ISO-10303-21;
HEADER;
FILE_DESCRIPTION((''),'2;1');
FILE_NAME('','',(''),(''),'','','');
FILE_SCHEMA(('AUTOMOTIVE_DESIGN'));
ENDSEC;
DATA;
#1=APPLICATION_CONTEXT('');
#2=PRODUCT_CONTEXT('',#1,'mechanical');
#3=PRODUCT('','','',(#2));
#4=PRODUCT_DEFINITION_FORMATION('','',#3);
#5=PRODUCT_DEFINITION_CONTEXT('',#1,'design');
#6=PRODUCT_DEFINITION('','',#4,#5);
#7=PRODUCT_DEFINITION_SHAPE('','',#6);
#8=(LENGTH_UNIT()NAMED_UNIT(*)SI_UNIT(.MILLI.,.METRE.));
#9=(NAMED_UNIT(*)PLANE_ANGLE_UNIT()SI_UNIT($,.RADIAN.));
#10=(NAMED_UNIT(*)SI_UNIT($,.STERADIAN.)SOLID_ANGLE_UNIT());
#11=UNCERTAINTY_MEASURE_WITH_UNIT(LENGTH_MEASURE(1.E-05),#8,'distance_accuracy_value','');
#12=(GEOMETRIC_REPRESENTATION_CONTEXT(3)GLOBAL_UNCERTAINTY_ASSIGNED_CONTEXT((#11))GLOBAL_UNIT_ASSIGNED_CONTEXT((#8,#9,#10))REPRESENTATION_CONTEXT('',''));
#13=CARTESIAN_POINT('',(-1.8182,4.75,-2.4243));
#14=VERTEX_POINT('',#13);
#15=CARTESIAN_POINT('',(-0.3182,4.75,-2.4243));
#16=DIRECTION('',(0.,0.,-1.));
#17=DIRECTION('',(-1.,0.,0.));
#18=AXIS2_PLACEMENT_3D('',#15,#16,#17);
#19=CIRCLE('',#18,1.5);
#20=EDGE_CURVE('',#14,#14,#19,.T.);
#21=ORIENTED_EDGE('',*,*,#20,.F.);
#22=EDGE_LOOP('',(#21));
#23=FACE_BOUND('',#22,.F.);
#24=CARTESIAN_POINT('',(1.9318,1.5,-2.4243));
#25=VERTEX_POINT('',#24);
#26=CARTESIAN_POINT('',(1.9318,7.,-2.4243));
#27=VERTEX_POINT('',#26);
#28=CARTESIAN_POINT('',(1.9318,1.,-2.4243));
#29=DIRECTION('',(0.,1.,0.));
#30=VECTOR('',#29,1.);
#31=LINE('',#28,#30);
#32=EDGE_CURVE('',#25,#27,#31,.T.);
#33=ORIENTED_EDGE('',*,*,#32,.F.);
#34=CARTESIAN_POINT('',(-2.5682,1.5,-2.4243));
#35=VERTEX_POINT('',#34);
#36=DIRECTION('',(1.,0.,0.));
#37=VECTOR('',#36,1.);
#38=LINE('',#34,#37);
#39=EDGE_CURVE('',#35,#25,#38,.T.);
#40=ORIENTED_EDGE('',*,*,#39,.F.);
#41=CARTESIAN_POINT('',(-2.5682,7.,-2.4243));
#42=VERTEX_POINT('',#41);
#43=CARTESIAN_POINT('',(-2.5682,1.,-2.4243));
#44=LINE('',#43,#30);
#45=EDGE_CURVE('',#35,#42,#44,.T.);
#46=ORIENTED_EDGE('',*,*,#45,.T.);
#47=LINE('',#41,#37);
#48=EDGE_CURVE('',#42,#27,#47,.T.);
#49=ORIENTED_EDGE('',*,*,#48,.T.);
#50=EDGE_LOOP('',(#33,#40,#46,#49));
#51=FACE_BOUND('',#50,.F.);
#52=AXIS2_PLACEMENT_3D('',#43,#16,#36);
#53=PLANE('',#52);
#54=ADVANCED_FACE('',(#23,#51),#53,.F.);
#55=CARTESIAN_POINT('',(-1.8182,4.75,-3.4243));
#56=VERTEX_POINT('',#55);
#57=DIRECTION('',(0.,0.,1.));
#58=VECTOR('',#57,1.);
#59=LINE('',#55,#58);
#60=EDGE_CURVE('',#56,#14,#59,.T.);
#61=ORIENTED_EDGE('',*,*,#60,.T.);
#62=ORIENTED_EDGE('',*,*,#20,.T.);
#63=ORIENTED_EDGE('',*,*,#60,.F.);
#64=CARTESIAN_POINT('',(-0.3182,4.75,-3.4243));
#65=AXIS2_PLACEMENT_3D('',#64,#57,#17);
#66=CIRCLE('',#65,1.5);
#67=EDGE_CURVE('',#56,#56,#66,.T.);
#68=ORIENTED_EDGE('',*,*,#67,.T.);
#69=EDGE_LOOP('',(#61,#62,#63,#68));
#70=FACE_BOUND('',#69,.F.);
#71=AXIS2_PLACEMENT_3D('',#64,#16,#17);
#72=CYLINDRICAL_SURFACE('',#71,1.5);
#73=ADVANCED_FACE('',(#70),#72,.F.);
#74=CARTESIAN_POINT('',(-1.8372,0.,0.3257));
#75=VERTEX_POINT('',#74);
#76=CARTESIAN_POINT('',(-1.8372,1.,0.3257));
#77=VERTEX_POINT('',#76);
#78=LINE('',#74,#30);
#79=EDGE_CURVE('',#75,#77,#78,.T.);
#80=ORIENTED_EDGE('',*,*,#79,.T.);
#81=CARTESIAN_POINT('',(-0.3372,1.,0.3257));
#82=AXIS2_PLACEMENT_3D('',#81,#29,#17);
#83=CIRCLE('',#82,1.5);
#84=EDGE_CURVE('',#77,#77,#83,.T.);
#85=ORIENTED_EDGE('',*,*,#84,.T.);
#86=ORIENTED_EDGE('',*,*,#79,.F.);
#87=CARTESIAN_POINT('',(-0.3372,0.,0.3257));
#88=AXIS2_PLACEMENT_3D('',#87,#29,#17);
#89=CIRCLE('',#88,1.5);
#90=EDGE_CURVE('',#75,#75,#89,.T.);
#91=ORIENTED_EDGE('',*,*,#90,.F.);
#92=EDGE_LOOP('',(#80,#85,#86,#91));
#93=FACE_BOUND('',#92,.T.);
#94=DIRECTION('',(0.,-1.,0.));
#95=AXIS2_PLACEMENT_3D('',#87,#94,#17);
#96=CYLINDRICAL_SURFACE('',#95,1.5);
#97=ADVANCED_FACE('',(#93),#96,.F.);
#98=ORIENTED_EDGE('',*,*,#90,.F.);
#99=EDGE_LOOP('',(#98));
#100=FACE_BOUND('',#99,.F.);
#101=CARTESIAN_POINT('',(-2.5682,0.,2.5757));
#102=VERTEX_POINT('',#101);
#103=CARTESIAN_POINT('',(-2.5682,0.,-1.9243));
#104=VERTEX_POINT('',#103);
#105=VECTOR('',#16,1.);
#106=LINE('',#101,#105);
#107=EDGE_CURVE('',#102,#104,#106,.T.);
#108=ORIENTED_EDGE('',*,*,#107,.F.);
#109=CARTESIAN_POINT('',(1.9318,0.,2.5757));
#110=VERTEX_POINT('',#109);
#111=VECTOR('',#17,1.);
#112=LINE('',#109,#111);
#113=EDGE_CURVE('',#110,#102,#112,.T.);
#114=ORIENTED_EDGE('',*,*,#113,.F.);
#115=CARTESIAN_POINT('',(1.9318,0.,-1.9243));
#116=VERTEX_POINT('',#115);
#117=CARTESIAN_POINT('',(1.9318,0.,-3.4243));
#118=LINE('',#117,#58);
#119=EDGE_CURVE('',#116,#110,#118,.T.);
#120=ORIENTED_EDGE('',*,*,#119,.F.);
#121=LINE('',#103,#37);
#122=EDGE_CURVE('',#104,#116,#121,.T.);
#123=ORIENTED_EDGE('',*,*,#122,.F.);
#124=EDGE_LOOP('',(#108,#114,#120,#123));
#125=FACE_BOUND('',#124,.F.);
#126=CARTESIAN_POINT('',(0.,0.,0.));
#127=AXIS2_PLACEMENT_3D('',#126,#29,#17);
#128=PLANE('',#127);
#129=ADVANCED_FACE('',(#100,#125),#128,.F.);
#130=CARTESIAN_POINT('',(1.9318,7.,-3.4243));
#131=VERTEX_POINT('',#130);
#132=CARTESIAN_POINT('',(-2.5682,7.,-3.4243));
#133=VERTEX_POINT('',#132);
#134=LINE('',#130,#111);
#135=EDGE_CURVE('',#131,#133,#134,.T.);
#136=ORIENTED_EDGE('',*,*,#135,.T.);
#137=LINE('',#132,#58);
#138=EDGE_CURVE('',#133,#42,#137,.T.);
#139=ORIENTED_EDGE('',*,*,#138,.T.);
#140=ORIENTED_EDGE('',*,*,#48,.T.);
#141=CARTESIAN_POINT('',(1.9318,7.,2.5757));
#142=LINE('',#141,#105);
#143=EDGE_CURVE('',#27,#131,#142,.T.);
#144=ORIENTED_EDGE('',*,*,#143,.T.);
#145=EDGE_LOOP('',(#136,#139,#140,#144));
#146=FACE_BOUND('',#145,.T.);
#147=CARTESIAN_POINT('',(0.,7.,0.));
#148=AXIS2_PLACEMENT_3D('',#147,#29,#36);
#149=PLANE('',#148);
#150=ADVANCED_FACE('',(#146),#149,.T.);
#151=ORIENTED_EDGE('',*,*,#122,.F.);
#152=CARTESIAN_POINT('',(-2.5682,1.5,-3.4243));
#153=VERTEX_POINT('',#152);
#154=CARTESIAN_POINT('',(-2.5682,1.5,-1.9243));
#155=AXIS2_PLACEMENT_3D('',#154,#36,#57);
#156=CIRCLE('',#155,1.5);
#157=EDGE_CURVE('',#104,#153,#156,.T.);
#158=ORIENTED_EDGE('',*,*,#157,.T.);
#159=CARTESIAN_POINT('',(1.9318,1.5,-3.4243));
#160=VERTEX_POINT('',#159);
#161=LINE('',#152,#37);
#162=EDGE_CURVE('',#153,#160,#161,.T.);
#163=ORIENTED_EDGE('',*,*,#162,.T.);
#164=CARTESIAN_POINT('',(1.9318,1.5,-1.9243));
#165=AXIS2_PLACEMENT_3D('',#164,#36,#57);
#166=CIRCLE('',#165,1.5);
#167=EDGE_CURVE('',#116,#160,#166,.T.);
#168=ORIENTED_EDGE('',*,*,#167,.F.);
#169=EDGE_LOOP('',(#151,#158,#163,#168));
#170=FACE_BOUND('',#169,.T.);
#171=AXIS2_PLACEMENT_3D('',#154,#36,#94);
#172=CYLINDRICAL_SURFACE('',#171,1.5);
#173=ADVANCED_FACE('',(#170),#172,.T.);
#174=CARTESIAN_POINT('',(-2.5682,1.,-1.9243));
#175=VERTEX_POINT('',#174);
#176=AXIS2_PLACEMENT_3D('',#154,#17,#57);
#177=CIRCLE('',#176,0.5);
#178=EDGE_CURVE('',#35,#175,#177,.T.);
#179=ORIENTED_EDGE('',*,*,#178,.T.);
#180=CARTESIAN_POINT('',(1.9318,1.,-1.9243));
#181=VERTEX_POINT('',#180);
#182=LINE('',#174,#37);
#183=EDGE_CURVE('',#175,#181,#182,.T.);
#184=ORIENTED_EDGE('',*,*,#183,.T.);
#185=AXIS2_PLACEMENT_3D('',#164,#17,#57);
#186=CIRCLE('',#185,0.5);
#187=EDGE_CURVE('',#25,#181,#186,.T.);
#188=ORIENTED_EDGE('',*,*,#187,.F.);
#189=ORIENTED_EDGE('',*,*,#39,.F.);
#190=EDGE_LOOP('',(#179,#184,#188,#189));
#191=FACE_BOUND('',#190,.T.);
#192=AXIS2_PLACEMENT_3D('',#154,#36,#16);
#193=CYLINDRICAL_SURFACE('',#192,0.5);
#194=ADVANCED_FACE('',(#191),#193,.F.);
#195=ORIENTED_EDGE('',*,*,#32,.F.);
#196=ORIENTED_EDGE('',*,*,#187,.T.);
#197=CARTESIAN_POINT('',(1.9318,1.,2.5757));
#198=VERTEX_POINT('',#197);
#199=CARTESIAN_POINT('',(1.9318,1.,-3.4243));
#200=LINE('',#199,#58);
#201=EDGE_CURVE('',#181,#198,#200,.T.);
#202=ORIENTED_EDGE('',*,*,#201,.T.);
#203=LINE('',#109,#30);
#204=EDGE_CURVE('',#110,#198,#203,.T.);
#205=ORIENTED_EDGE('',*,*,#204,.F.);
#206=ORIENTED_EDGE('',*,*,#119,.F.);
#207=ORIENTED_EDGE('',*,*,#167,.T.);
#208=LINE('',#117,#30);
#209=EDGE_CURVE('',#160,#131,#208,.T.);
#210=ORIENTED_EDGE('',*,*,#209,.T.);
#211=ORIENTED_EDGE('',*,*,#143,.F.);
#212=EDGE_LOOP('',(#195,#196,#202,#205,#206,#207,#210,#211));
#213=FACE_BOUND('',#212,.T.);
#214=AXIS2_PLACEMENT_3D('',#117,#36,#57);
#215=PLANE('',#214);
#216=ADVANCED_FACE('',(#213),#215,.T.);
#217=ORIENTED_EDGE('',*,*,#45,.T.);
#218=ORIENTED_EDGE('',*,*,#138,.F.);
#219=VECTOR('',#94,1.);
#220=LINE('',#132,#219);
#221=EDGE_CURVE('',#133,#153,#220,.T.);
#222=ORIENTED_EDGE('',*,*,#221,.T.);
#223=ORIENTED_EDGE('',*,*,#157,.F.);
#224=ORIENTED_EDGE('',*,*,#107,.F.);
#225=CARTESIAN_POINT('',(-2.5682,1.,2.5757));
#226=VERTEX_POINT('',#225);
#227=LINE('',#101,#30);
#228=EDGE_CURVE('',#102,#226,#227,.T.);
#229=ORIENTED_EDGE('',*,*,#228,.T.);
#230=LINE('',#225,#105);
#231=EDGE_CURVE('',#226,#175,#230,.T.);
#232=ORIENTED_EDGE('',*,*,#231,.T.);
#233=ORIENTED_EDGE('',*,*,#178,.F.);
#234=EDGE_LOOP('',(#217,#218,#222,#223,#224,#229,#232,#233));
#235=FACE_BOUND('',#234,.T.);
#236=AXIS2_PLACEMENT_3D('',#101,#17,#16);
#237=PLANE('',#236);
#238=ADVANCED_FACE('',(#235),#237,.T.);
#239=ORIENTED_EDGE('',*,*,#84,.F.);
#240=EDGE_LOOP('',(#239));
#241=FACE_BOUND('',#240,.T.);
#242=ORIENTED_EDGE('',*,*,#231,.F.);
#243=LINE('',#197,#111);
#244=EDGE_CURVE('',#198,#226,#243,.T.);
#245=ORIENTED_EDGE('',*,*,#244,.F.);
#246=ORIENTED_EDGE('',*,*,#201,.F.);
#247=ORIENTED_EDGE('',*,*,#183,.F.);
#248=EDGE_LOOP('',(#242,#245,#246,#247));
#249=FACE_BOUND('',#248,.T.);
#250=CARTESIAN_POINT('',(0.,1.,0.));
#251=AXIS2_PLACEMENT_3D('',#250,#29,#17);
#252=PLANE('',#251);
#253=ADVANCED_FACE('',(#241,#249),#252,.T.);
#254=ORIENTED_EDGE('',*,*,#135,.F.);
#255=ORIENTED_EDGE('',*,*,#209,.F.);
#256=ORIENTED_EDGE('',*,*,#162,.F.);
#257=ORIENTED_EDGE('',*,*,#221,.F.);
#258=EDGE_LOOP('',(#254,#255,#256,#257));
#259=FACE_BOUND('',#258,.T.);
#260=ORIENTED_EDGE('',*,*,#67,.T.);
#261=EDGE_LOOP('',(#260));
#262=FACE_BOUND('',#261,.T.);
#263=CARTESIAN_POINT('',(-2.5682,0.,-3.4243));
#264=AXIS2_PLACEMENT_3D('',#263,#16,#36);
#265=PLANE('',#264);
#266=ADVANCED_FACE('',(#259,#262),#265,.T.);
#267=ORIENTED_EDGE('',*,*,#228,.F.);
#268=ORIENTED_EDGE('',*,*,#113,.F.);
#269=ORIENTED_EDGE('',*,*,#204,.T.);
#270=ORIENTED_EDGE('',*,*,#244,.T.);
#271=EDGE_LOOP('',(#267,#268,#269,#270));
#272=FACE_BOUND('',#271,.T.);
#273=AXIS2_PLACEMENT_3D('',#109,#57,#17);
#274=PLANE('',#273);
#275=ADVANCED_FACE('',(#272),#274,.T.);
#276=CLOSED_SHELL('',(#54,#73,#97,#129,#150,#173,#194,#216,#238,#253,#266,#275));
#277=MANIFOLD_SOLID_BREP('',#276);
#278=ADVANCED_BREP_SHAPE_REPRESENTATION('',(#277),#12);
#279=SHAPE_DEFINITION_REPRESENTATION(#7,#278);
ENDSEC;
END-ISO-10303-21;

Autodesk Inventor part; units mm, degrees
ref_plane "YZ Plane" through (0, 0, 0) normal (1, 0, 0) x (0, 1, 0)
ref_plane "XZ Plane" through (0, 0, 0) normal (0, 1, 0) x (-1, 0, 0)
ref_plane "XY Plane" through (0, 0, 0) normal (0, 0, 1) x (1, 0, 0)
sketch "Sketch1" plane through (0, 0, 0) normal (0, 1, 0) x (-1, 0, 0)
  line L0 (-1.9318, 2.5757) -> (2.5682, 2.5757)
  line L1 (2.5682, 2.5757) -> (2.5682, -3.4243)
  line L2 (2.5682, -3.4243) -> (-1.9318, -3.4243)
  line L3 (-1.9318, -3.4243) -> (-1.9318, 2.5757)
  line L4 (-1.9318, 2.5757) -> (2.5682, -3.4243) construction
  circle A0 centre (0.3372, 0.3257) radius 1.5
  point P0 (0, 0)
  dimension "d0" = 4.5
  dimension "d1" = 6
  dimension "d3" = 2.25
extrude "Extrusion1" add sketch "Sketch1" along normal blind 1
sketch "Sketch2" plane through (0, 1, 0) normal (0, 1, 0) x (1, 0, 0)
  circle A0 centre (-0.3372, -0.3257) radius 1.5 projected
  line L0 (-2.5682, -2.5757) -> (1.9318, -2.5757) projected
  line L1 (1.9318, -2.5757) -> (1.9318, 3.4243) projected
  line L2 (1.9318, 3.4243) -> (-2.5682, 3.4243) projected
  line L3 (-2.5682, 3.4243) -> (-2.5682, -2.5757) projected
  line L4 (-2.5682, 3.4243) -> (-2.5682, -2.5757) projected
  line L5 (-2.5682, 3.4243) -> (-2.5682, 2.4243)
  line L6 (-2.5682, 2.4243) -> (1.9318, 2.4243)
  line L7 (1.9318, 2.4243) -> (1.9318, 3.4243)
  line L8 (1.9318, 3.4243) -> (-2.5682, 3.4243)
  dimension "d6" = 1
extrude "Extrusion2" add sketch "Sketch2" along normal blind 6 contours L3 L2 L1 L6
fillet "Fillet1" radius 1.5 1 edges at (-0.3182, 0, -3.4243)
sketch "Sketch3" plane through (1.9318, 7, -3.4243) normal (0, 0, -1) x (-1, 0, 0)
  line L0 (4.5, -5.5) -> (0, -5.5) projected
  line L1 (4.5, -5.5) -> (4.5, 0) projected
  line L2 (0, 0) -> (4.5, 0) projected
  line L3 (0, -5.5) -> (0, 0) projected
  line L4 (2.25, 0) -> (2.25, -2.25)
  circle A0 centre (2.25, -2.25) radius 1.5
  point P0 (1.9318, -7)
  dimension "d10" = 2.25
  dimension "d11" = 3
extrude "Extrusion3" cut sketch "Sketch3" against normal blind 6 contours A0
fillet "Fillet2" radius 0.5 1 edges at (-0.3182, 1, -2.4243)
properties part number "Pixy angle bracket"
